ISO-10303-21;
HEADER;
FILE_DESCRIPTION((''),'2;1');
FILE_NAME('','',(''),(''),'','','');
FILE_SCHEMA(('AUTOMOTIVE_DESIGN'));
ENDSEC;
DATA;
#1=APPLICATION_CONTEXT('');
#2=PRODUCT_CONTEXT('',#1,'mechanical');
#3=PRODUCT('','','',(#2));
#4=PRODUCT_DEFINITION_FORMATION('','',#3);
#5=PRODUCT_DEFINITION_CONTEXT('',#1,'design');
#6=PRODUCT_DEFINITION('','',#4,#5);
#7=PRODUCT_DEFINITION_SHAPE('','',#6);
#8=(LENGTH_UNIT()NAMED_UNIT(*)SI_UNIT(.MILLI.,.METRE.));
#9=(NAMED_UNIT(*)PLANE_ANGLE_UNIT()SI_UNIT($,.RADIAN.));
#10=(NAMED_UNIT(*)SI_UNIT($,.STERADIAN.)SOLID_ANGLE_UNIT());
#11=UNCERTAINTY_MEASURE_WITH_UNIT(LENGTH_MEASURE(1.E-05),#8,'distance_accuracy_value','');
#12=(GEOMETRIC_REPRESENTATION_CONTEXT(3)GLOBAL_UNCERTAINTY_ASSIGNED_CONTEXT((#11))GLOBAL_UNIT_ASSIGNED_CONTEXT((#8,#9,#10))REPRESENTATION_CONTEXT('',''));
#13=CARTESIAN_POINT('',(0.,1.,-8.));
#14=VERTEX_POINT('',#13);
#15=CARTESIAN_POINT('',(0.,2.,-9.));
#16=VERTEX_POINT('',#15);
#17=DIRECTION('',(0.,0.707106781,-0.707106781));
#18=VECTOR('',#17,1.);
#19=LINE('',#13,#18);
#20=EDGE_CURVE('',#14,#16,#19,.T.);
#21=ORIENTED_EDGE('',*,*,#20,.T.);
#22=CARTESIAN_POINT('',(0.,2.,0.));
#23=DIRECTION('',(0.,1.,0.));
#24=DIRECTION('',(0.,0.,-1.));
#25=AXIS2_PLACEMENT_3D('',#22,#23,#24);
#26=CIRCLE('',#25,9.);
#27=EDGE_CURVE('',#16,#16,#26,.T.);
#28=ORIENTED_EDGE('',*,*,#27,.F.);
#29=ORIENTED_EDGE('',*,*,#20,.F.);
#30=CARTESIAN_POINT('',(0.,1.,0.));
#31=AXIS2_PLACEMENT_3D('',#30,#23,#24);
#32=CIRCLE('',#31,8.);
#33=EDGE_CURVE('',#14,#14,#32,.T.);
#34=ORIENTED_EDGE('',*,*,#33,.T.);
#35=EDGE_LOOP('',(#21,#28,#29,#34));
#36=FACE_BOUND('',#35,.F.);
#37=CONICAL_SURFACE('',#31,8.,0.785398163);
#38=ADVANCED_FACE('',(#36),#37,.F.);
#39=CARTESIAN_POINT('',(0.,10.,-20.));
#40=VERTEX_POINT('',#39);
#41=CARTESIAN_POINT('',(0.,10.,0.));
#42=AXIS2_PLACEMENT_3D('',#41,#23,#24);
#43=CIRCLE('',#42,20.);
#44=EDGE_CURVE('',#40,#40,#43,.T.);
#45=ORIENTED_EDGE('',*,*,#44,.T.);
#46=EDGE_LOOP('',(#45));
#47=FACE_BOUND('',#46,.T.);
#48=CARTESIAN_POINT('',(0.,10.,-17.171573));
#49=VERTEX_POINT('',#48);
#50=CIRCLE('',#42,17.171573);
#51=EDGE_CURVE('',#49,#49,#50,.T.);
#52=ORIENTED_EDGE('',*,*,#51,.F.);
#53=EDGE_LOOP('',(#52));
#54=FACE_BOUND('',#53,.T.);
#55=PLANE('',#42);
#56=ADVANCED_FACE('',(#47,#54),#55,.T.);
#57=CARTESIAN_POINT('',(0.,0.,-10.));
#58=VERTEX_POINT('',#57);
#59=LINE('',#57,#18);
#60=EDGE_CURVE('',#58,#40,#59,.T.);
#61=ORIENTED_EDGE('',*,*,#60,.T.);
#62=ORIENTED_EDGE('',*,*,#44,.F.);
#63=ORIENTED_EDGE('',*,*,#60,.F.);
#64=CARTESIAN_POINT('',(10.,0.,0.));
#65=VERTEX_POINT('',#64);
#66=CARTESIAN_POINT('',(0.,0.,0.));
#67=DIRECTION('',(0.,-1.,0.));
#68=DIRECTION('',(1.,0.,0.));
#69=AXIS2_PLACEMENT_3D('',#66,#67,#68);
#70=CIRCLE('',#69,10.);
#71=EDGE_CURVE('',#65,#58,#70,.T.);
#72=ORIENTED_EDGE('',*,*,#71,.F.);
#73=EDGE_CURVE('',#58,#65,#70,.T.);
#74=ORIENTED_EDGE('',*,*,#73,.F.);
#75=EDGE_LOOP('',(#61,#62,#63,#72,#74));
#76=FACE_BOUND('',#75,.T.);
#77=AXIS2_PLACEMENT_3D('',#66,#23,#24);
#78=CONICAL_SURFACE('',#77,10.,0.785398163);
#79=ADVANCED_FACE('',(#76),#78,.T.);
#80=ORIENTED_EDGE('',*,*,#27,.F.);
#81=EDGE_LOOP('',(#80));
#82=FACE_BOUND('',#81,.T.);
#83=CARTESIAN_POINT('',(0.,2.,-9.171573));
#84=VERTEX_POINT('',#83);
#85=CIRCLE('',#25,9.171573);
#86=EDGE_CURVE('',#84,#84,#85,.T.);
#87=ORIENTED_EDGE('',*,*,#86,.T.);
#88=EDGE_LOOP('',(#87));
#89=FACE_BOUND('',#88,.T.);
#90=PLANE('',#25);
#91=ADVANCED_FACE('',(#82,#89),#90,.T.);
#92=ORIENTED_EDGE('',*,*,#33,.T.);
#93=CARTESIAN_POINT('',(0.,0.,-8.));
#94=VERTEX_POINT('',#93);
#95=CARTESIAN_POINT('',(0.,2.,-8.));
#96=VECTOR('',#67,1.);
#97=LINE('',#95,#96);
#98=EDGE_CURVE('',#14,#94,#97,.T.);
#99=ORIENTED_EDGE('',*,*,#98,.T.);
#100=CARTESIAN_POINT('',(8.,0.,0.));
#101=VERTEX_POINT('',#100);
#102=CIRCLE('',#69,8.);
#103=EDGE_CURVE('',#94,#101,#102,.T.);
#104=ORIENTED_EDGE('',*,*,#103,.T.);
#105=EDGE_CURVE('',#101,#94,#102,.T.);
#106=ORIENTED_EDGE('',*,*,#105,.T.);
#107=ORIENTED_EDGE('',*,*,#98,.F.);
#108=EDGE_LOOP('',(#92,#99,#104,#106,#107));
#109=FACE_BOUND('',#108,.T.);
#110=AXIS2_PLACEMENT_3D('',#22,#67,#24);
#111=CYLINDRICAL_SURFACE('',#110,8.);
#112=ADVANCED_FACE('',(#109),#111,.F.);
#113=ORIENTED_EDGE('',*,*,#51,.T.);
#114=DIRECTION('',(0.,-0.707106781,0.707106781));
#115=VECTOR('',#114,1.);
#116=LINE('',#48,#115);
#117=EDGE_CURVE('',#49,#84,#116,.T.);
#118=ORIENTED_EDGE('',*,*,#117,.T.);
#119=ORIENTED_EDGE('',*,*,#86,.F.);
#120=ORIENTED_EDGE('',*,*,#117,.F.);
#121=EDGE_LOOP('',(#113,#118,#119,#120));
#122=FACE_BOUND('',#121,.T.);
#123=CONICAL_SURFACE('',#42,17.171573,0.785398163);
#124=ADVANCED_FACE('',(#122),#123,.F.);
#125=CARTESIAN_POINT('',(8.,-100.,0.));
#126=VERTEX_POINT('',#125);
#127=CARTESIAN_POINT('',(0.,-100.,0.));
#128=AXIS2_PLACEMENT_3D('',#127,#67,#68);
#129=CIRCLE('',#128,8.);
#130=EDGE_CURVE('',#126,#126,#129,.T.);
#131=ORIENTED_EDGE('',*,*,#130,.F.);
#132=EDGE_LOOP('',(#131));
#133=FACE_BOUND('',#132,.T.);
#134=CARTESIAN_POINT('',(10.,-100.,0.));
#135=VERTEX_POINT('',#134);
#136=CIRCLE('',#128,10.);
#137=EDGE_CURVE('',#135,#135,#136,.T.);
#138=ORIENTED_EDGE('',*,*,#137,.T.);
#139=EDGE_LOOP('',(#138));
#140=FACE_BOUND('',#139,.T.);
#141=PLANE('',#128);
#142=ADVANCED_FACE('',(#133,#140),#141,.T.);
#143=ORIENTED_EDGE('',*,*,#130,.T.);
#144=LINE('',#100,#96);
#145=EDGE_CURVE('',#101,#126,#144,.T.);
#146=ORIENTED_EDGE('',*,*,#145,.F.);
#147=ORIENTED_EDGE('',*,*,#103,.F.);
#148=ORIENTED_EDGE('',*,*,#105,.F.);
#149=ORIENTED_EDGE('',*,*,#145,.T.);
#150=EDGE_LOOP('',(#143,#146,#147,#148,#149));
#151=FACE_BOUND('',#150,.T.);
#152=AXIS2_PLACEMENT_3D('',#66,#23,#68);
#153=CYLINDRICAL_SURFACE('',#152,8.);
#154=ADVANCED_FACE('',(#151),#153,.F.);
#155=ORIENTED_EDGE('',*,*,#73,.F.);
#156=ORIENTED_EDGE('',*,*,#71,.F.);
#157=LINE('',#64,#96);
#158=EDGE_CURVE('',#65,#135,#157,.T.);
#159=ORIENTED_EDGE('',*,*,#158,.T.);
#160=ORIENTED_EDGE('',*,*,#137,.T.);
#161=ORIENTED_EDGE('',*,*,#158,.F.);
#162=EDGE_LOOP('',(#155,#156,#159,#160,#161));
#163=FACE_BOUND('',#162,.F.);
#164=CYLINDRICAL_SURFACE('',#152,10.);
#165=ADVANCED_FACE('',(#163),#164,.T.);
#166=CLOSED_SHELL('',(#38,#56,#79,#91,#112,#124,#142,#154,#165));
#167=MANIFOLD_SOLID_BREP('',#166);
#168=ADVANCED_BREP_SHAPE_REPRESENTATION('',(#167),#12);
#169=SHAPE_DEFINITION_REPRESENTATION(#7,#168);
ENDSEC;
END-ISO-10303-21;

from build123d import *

# Parameters (mm, degrees)
F0_R     = 10
F0_R_2   = 8
F1_DEPTH = 100
F4_SIZE  = 1


with BuildPart() as f1:
    # F0 (on Front) → F1 (new body)
    with BuildSketch(Plane.XZ):
        Circle(F0_R)
        Circle(F0_R_2, mode=Mode.SUBTRACT)
    extrude(amount=F1_DEPTH)

    # F2 (on Right) → F3 (revolve)
    with BuildSketch(Plane.YZ):
        Polygon((2, -8), (0, -8), (0, -10), (10, -20), (10, -17.171573), (2, -9.171573), align=None)
    revolve(axis=Axis((0, 7.857602, 0), (0, 1, 0)))

    # F4
    f4_edges = [f1.edges().sort_by_distance(p)[0] for p in [
        (0, 2, 8),
    ]]
    chamfer(f4_edges, length=F4_SIZE)


solid = f1.part
